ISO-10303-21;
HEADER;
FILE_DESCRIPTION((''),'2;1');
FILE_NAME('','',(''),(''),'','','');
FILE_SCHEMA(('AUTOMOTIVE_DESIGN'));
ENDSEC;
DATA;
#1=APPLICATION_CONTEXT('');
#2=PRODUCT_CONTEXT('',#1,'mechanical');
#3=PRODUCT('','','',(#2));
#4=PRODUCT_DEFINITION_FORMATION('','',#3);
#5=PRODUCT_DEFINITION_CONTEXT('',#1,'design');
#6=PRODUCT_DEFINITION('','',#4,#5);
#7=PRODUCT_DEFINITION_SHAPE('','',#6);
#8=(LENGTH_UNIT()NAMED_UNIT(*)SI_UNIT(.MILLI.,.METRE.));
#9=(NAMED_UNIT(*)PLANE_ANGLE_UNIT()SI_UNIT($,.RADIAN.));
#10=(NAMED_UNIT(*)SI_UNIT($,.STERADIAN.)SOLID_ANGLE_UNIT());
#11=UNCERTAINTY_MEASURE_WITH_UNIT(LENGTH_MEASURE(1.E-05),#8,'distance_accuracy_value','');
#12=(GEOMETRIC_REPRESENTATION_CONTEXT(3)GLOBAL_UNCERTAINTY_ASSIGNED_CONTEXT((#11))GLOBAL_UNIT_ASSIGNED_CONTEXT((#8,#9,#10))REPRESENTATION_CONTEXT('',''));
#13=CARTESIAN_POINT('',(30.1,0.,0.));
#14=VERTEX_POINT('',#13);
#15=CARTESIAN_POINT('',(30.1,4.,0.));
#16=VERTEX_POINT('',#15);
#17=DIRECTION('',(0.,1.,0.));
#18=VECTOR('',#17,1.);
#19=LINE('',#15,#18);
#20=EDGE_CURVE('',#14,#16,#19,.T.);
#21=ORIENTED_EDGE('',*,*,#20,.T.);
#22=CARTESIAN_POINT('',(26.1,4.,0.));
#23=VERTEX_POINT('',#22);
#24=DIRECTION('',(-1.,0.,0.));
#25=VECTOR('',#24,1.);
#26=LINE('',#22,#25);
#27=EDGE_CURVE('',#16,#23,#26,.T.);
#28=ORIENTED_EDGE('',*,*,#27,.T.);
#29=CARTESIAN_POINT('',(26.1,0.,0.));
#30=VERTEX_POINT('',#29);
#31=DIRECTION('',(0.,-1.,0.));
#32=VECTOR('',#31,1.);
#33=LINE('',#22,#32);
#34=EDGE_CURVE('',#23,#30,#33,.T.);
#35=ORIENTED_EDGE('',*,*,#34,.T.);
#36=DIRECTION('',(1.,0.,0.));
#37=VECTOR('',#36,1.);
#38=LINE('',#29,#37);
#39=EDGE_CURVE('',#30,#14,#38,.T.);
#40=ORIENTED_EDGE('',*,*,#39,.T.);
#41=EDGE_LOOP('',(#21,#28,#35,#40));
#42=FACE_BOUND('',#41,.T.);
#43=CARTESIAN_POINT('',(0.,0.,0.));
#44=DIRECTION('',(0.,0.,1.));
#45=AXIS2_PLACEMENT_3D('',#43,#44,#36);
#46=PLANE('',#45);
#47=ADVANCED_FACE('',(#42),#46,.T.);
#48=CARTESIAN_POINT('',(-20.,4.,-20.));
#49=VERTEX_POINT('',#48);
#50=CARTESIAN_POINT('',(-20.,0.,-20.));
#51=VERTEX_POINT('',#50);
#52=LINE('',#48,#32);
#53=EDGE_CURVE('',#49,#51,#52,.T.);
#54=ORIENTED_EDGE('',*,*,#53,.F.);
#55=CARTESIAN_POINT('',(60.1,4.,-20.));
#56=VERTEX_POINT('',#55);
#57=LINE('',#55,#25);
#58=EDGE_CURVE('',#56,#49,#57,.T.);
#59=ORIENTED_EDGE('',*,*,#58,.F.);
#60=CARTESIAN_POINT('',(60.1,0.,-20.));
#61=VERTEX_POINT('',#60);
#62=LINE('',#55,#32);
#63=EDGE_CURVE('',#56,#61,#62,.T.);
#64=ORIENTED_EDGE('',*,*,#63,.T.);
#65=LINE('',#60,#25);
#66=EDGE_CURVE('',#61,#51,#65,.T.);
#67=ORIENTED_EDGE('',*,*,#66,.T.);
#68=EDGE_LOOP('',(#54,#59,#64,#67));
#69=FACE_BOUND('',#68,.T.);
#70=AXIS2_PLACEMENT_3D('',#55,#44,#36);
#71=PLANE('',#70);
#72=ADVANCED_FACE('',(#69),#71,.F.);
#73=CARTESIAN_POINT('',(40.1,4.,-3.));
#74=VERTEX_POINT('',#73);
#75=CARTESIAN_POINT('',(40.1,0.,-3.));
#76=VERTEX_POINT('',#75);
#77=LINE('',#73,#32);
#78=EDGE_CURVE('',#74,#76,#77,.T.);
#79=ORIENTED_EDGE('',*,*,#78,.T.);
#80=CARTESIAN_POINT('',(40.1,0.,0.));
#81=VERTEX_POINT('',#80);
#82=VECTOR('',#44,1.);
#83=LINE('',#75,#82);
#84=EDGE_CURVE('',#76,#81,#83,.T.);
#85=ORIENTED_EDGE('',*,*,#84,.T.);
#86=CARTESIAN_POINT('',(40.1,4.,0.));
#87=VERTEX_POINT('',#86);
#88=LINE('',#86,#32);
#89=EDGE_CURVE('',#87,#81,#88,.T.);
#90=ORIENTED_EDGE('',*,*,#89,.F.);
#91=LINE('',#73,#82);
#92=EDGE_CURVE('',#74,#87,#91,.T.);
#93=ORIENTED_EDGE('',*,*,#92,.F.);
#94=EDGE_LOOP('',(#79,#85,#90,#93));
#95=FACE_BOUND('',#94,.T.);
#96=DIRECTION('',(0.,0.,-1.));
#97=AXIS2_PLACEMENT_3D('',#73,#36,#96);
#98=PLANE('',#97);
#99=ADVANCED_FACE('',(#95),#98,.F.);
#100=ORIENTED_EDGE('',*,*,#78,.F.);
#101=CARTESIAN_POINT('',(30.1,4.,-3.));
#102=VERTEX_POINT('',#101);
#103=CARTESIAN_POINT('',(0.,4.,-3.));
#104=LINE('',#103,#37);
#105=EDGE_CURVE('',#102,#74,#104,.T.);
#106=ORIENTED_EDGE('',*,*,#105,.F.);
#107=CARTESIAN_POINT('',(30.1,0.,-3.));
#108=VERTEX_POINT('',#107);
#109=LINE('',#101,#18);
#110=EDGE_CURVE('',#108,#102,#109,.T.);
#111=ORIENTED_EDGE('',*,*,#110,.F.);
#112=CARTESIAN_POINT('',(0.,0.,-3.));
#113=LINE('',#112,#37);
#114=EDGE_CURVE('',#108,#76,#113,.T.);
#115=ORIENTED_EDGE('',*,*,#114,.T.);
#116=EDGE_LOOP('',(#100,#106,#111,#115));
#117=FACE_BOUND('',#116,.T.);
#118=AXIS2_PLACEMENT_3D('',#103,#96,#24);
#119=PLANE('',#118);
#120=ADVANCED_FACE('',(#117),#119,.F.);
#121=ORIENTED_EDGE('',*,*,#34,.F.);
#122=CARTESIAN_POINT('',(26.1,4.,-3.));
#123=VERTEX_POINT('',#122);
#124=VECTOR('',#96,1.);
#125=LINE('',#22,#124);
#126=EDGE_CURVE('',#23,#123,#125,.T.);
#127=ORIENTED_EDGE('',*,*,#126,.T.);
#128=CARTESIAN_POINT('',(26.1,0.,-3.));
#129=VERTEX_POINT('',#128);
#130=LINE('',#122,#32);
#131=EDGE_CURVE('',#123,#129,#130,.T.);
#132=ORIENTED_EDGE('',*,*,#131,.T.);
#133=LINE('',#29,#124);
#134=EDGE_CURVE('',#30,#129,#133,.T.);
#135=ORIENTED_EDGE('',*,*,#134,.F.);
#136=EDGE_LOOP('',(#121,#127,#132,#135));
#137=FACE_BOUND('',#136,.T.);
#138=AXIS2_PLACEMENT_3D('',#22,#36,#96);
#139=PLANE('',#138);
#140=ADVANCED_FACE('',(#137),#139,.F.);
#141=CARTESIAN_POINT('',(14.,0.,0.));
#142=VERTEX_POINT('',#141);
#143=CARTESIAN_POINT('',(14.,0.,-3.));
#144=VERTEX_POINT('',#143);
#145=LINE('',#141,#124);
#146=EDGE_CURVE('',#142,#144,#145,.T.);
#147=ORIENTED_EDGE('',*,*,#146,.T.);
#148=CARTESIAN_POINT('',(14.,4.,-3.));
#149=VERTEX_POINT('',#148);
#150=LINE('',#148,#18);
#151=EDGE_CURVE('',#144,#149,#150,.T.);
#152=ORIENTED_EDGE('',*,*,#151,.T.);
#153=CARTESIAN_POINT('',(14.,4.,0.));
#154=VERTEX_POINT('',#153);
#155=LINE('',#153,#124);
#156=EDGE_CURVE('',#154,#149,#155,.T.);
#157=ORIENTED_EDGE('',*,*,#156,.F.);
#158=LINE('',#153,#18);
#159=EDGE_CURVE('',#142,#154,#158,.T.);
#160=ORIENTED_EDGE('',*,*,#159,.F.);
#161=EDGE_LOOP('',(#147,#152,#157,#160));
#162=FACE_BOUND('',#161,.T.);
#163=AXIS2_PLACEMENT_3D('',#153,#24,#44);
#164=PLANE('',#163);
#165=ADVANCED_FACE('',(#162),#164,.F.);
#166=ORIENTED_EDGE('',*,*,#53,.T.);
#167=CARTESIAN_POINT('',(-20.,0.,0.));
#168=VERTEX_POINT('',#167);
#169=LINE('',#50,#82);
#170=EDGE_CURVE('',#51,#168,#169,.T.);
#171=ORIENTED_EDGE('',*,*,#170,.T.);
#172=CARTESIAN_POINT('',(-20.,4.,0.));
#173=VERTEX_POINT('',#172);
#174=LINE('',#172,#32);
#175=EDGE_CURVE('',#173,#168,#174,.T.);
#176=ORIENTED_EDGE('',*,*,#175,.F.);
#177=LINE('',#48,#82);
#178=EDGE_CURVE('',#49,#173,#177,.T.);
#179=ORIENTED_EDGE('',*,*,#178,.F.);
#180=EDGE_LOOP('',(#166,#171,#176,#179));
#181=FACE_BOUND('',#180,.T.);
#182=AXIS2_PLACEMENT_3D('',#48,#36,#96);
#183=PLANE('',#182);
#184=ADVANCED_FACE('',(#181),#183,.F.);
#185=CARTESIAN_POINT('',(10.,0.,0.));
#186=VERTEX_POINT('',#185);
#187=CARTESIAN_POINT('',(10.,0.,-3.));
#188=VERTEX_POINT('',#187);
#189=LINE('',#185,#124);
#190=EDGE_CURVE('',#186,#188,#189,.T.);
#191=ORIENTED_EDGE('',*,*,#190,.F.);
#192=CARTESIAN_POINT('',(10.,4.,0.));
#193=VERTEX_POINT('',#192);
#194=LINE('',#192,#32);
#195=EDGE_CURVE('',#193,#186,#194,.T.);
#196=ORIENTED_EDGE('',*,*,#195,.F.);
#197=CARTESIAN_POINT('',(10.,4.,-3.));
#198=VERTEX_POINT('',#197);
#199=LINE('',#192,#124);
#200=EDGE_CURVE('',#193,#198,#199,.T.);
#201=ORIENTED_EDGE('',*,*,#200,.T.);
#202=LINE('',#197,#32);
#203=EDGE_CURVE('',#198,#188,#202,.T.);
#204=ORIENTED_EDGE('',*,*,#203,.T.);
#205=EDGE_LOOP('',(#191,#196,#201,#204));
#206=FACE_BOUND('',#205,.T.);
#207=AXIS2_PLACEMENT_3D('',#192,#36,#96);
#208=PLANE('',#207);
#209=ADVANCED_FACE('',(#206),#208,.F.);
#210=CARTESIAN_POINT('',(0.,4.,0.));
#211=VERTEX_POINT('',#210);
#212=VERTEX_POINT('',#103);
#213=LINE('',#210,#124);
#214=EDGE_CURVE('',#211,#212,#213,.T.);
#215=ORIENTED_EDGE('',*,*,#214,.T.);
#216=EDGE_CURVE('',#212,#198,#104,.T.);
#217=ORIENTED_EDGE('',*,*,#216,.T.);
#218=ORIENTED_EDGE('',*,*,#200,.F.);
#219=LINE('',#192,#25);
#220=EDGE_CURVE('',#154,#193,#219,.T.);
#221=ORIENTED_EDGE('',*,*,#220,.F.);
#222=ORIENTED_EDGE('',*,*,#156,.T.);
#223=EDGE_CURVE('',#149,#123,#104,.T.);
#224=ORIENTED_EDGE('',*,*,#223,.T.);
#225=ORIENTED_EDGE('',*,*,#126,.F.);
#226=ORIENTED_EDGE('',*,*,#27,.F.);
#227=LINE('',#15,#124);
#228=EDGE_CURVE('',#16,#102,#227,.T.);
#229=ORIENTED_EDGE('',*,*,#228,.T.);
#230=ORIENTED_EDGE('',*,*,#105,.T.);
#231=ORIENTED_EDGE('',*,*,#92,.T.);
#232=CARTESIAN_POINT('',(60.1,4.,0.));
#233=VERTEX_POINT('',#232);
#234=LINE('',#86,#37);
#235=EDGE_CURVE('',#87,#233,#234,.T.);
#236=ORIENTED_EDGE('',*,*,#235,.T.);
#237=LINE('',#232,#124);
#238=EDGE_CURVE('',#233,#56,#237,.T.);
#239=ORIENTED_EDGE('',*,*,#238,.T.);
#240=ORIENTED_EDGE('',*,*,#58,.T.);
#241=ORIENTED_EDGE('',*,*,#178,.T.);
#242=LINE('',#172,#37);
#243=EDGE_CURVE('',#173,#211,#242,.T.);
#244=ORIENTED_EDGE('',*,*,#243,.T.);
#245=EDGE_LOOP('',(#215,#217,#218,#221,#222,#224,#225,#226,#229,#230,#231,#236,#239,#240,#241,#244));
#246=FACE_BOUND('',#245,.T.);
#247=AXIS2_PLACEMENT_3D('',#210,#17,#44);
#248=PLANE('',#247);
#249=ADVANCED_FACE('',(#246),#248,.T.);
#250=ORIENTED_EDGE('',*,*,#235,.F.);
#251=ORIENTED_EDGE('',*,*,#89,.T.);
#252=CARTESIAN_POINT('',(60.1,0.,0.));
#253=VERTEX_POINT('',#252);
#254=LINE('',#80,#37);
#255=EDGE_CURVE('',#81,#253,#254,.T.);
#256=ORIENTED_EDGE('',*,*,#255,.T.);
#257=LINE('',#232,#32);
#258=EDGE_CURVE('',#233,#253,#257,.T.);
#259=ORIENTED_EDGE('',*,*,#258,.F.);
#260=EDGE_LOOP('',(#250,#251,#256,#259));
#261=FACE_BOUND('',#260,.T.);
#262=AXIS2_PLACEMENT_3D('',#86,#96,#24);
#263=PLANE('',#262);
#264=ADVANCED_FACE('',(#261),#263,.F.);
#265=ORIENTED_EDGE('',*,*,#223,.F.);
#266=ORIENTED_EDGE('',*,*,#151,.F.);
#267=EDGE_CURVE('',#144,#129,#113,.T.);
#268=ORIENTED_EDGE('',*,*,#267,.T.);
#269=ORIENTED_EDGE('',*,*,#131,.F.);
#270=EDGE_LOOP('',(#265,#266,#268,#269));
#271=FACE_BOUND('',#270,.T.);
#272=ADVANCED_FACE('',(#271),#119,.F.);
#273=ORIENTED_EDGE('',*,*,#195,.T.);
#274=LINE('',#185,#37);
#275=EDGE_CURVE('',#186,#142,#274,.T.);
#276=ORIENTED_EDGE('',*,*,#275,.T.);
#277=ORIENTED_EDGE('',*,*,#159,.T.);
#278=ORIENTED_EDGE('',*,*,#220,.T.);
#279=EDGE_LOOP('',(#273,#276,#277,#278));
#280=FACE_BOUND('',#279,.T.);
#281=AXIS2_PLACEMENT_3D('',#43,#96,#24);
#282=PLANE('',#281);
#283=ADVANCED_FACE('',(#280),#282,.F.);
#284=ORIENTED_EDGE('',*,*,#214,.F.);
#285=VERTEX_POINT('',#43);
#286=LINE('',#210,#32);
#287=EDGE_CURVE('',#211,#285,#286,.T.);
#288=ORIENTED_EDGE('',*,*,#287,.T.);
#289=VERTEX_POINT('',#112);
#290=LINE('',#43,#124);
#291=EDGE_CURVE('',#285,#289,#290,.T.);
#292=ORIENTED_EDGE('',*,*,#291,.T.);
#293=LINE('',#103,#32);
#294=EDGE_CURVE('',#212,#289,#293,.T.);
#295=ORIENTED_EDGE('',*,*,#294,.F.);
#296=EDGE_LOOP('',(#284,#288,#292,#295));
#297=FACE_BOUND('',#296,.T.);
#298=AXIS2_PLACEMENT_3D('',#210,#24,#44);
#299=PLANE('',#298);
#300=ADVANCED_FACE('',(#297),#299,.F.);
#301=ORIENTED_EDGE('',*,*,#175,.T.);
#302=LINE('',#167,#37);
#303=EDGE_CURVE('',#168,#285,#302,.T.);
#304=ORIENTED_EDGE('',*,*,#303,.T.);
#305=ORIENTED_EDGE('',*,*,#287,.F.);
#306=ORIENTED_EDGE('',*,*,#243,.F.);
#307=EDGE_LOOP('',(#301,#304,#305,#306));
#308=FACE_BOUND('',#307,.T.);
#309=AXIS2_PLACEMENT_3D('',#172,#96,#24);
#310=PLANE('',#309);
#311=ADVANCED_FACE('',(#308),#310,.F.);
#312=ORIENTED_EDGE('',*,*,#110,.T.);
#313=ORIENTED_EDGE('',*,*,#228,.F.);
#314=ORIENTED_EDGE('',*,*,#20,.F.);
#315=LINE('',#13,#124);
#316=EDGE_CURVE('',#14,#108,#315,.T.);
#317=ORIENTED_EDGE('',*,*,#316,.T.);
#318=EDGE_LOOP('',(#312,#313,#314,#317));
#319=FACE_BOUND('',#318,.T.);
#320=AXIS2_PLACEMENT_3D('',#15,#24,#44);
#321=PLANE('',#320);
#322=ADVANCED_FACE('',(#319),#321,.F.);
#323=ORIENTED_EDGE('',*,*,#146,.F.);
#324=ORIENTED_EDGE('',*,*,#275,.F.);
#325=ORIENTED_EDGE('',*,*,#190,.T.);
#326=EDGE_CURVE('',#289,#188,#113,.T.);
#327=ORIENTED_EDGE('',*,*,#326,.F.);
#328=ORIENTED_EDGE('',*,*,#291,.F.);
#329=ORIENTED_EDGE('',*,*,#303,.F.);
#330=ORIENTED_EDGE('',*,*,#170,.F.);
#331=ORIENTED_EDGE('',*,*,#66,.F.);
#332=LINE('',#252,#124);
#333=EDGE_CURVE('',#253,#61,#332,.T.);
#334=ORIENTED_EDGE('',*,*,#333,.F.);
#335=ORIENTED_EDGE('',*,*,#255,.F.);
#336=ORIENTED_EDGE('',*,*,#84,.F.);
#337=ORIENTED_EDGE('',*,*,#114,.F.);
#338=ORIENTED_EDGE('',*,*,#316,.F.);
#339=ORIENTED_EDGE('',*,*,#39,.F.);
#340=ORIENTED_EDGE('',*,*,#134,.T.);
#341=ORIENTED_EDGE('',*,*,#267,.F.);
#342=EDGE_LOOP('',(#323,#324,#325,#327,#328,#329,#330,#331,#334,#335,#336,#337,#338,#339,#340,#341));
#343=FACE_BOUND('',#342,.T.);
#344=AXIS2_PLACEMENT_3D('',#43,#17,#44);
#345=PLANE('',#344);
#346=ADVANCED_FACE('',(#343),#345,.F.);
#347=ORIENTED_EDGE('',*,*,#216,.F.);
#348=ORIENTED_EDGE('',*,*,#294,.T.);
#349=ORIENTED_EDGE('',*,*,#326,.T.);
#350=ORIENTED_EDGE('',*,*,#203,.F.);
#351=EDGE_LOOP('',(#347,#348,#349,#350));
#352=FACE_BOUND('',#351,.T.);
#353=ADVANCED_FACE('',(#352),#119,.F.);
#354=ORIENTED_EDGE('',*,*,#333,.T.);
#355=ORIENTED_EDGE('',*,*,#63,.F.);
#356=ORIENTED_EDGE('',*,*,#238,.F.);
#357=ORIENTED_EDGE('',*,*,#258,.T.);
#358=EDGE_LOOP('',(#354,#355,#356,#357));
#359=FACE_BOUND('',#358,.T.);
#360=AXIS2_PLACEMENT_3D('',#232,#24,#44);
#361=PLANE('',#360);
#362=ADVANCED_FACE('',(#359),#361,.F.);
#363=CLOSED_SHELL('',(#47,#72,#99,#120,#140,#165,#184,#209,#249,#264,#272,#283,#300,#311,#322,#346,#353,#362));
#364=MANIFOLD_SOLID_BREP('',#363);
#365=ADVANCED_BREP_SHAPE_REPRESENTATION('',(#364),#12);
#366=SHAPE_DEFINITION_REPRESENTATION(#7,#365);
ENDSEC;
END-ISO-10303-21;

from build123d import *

# Parameters (mm, degrees)
EXTRUDE_1_DEPTH = 4
SKETCH_2_W      = 4
SKETCH_2_H      = 4
EXTRUDE_2_DEPTH = 3


with BuildPart() as part:
    # Эскиз1 → Бобышка-Вытянуть1 (new body)
    with BuildSketch(Plane(origin=(0, 0, 0), x_dir=(1, 0, 0), z_dir=(0, 1, 0))):
        Polygon((0, 0), (0, 3), (40.1, 3), (40.1, 0), (60.1, 0), (60.1, 20), (-20, 20), (-20, 0), align=None)
    extrude(amount=EXTRUDE_1_DEPTH)

    # Эскиз2 → Бобышка-Вытянуть2 (add)
    with BuildSketch(Plane.XY.offset(-3)):
        with Locations((28.1, 2)):
            Rectangle(SKETCH_2_W, SKETCH_2_H)
        with Locations((12, 2)):
            Rectangle(SKETCH_2_W, SKETCH_2_H)
    extrude(amount=EXTRUDE_2_DEPTH)


solid = part.part
